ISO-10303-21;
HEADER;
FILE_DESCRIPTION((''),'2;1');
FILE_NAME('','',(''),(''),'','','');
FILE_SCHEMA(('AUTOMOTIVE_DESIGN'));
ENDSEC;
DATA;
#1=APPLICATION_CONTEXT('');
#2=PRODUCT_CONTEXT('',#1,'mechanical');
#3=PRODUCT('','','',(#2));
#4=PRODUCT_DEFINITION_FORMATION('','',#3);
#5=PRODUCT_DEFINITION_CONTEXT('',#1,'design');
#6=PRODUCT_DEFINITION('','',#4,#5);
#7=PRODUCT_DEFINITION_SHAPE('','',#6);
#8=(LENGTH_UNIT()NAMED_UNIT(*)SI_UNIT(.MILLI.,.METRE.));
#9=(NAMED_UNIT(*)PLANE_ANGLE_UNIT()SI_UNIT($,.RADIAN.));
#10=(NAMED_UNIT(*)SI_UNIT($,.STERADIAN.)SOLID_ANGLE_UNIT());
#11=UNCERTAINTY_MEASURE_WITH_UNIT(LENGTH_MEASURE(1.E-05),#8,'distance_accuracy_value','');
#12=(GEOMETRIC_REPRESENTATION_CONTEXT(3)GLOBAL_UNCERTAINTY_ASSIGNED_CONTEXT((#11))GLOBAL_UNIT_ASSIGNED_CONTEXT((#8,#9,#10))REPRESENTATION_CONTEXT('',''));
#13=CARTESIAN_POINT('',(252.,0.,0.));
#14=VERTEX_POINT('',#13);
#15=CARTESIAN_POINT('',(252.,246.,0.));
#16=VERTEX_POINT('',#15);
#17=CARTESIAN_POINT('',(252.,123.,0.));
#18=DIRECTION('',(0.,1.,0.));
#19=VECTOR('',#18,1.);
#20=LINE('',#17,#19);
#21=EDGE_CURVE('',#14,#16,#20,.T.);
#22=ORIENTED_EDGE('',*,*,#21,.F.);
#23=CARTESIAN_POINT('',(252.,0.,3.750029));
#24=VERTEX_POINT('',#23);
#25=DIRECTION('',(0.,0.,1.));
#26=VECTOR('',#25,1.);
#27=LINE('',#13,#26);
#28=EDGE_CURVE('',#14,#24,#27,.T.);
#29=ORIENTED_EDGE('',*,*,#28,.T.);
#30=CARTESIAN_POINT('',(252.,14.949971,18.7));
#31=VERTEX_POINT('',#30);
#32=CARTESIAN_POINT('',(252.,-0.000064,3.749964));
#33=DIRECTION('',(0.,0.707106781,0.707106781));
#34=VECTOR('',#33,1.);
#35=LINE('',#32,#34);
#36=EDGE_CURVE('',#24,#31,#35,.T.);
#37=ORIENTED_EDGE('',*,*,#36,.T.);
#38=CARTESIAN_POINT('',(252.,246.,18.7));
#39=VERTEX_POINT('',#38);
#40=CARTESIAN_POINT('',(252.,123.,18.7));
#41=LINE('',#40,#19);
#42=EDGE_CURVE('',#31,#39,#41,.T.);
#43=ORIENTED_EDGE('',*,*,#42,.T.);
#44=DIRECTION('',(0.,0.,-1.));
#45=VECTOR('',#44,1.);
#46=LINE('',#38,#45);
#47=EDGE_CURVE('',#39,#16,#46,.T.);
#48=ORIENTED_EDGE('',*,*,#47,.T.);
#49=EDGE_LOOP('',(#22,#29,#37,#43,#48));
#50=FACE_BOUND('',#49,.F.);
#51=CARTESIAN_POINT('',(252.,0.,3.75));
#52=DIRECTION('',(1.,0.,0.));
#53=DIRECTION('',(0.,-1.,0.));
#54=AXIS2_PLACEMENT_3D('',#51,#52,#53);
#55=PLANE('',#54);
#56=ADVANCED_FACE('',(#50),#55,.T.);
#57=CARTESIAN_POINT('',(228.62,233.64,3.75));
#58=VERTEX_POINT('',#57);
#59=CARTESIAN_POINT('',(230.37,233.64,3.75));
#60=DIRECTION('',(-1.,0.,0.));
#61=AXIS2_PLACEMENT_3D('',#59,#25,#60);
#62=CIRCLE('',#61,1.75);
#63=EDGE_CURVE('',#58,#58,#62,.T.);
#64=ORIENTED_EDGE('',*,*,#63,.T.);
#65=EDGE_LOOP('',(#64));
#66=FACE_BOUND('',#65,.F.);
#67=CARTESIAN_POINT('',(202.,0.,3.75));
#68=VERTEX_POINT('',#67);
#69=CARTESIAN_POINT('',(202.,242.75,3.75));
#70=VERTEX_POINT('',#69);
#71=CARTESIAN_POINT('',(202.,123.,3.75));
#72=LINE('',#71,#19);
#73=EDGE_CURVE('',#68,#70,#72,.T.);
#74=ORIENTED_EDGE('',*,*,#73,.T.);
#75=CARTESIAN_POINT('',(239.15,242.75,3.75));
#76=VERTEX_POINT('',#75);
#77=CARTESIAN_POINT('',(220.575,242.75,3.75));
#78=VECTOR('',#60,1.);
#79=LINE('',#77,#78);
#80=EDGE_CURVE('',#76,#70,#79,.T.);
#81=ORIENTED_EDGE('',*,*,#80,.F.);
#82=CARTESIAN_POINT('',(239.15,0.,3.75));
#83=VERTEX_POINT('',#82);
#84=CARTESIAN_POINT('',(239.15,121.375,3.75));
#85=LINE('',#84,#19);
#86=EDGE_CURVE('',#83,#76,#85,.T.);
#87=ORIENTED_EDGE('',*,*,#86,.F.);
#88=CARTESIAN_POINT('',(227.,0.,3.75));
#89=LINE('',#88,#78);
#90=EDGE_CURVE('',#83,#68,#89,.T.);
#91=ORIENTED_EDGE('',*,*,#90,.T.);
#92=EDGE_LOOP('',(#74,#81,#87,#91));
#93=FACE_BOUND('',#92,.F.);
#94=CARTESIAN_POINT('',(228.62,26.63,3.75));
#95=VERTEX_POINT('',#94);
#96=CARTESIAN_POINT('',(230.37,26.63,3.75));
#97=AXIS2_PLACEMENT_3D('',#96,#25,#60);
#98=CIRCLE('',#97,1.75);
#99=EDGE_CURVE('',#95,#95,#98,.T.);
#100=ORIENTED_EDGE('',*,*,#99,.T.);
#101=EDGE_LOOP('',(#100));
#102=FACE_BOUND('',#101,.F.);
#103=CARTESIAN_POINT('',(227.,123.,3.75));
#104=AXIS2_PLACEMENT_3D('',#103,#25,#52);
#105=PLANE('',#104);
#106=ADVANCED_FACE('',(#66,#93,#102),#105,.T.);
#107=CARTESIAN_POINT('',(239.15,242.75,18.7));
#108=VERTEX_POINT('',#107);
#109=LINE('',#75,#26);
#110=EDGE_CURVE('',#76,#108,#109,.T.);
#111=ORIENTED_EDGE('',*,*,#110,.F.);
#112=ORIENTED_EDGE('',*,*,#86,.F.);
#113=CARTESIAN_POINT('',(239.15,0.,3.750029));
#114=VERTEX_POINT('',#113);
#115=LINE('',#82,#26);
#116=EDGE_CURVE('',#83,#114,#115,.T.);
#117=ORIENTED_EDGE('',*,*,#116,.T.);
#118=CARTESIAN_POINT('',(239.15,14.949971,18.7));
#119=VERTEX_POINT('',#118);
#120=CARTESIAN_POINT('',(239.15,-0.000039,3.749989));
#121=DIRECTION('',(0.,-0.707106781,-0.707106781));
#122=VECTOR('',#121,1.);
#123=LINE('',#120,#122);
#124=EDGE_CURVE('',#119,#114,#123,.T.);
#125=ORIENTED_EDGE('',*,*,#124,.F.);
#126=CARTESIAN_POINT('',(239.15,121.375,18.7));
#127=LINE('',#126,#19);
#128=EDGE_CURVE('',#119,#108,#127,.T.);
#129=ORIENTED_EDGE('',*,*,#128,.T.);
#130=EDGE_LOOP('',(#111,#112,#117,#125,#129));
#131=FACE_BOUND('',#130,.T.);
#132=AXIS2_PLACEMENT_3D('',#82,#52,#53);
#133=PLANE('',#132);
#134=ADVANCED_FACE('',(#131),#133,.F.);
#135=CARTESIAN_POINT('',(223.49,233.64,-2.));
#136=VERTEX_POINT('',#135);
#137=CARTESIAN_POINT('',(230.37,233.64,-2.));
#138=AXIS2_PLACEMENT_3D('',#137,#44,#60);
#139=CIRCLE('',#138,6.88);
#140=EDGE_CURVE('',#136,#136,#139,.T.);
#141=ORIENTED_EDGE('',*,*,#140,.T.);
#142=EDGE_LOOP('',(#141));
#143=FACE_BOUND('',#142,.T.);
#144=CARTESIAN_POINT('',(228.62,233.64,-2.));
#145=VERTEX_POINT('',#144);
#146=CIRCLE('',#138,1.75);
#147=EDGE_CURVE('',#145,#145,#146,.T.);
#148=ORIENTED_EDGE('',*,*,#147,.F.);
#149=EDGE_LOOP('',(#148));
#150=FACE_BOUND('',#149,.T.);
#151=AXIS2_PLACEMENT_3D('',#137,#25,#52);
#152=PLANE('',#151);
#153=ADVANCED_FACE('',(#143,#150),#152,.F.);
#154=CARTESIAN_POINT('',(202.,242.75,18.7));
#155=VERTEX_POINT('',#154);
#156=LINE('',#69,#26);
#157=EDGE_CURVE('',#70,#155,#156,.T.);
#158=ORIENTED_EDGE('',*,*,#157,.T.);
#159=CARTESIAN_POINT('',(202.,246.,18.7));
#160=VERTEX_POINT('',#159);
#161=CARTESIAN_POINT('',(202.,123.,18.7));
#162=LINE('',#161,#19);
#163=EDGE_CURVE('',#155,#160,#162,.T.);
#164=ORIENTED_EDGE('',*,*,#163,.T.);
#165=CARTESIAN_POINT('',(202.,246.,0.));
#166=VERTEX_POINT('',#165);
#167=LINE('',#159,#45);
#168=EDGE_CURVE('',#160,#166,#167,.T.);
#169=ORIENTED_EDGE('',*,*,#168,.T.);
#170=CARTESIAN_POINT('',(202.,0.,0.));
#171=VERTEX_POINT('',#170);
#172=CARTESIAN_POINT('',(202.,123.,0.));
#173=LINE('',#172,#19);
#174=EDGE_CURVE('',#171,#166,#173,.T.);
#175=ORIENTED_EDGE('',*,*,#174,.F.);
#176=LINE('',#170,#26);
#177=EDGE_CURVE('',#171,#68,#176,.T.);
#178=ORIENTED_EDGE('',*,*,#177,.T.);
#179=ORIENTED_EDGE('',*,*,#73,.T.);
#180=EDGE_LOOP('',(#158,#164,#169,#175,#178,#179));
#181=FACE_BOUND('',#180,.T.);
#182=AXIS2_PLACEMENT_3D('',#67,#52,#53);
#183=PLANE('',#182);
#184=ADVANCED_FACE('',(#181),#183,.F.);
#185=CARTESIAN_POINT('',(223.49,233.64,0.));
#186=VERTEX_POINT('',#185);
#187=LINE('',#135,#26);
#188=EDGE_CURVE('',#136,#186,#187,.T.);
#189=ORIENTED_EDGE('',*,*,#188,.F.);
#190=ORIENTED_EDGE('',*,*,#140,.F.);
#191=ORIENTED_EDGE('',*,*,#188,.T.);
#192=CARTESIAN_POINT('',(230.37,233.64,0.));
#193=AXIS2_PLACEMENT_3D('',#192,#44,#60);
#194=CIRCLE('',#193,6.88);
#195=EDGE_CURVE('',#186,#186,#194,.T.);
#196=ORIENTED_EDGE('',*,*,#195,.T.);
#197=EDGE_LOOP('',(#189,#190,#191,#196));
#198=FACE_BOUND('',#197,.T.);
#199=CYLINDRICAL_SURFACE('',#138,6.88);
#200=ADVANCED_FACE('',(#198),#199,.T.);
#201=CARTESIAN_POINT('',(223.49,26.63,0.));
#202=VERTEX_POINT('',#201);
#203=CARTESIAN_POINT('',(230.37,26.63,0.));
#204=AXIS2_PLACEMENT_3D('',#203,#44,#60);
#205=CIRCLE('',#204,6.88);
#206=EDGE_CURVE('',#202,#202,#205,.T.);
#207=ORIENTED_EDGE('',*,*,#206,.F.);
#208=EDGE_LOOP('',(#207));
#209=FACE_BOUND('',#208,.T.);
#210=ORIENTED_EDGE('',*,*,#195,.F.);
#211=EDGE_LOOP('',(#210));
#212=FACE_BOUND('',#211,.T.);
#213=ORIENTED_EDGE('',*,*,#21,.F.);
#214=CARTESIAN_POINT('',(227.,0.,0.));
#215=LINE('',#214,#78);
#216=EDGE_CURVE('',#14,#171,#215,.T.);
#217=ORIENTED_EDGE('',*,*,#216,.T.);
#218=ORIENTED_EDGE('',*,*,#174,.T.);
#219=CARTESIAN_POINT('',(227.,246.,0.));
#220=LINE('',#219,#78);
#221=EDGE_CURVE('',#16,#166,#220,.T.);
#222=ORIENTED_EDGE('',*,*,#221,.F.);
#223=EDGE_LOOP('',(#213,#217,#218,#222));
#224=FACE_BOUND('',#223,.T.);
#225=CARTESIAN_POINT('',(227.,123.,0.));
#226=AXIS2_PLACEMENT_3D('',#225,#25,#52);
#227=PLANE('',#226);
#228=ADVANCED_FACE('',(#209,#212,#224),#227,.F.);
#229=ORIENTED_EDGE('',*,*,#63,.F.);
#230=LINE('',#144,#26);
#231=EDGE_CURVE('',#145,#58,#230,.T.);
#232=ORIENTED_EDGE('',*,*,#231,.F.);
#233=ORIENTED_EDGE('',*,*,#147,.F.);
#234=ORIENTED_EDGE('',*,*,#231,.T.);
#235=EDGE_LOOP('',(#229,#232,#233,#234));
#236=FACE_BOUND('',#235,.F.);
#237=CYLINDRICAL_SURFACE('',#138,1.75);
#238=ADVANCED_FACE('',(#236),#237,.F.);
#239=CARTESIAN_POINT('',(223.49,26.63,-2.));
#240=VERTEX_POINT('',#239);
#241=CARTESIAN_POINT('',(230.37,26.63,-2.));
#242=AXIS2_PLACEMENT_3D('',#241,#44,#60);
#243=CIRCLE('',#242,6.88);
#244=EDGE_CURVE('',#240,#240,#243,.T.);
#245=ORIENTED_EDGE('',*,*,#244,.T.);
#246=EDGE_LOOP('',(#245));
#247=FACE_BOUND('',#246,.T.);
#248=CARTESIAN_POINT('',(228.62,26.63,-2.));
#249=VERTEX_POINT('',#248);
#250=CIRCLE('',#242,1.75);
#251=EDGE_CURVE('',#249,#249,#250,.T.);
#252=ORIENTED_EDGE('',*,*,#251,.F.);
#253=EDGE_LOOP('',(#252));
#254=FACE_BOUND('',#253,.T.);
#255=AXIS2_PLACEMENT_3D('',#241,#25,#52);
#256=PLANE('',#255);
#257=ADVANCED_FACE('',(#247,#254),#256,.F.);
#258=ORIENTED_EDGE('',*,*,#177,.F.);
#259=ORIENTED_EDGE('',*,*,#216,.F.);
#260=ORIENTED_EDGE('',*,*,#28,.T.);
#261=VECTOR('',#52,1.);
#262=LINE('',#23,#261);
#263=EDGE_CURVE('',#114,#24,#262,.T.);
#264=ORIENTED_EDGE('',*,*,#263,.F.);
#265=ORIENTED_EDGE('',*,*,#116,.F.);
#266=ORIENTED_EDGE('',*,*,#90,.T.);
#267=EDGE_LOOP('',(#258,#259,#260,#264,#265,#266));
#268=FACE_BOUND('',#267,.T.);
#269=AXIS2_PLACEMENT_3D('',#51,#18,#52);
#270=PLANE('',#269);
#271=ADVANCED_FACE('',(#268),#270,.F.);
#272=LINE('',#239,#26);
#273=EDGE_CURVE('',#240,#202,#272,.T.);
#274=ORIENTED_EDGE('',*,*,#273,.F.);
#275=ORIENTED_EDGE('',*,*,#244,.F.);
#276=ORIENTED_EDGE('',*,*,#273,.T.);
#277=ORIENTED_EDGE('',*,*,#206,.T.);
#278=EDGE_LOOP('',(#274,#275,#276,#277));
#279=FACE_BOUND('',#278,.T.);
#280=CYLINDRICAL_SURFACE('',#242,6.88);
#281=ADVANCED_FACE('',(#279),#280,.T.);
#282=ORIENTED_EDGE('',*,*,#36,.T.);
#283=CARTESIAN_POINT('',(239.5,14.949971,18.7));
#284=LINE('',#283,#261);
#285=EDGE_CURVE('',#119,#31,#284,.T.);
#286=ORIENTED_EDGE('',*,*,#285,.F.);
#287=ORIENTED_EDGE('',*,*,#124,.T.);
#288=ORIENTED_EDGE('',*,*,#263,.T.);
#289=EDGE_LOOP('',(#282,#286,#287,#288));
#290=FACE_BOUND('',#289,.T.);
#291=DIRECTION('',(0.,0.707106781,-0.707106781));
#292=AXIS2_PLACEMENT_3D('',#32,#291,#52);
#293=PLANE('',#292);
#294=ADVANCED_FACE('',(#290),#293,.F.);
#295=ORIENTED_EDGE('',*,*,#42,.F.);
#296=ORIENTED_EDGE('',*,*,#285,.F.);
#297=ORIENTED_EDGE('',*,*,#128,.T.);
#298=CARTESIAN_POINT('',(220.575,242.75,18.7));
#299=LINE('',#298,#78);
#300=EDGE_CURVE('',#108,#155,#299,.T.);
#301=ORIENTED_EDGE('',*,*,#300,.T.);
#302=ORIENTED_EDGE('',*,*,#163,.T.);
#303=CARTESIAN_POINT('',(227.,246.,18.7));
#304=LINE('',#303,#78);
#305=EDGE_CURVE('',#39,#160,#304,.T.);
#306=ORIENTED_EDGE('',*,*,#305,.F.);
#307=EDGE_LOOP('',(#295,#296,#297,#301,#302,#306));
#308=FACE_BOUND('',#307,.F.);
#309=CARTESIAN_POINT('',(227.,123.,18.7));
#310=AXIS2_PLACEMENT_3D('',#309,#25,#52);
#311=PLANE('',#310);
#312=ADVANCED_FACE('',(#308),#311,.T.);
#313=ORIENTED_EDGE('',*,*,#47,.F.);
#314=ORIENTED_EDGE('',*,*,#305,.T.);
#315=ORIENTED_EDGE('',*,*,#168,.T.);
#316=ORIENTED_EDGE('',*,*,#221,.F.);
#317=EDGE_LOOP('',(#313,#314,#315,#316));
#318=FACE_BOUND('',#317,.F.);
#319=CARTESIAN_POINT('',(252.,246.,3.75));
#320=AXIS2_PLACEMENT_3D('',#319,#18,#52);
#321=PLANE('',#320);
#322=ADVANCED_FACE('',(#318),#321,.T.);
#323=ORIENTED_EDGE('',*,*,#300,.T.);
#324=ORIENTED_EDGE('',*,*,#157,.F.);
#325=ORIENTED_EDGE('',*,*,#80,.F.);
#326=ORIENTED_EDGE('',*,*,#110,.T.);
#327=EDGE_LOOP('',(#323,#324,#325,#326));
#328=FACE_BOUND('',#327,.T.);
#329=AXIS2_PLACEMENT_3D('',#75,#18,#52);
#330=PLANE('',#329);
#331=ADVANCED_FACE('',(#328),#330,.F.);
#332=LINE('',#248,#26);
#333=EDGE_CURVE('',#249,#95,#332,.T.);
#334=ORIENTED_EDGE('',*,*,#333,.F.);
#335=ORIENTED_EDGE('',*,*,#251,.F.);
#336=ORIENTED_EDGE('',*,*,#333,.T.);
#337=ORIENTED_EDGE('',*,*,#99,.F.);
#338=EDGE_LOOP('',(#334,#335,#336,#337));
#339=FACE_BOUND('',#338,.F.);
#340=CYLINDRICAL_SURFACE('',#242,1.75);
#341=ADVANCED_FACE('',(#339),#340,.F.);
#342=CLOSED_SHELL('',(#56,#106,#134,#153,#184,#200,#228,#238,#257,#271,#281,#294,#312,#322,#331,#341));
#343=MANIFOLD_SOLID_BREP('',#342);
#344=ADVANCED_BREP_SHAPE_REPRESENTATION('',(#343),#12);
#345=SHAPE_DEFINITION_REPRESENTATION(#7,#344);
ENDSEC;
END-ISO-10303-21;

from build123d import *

# Parameters (mm, degrees)
CYLINDER012029001058_R       = 1.75
CYLINDER012029001058_DEPTH   = 6
CYLINDER012029001059_R       = 6.88
CYLINDER012029001059_DEPTH   = 2
CYLINDER012029001060_R       = 1.75
CYLINDER012029001060_DEPTH   = 6
BOX015001051_W               = 20
BOX015001051_H               = 20
BOX015001051_DEPTH           = 28
BOX015001051_PLACEMENT_ANGLE = 45
BOX015001050_W               = 37.15
BOX015001050_H               = 242.75
BOX015001050_DEPTH           = 14.95
BOX015001048_W               = 50
BOX015001048_H               = 246
BOX015001048_DEPTH           = 14.95
BOX015001049_W               = 50
BOX015001049_H               = 246
BOX015001049_DEPTH           = 3.75
CYLINDER012029001061_R       = 6.88
CYLINDER012029001061_DEPTH   = 2


with BuildPart() as cylinder012029001058:
    # Cylinder012029001058 → Cylinder012029001058 (new body)
    with BuildSketch(Plane(origin=(21.63, 233.64, -2), x_dir=(1, 0, 0), z_dir=(0, 0, 1))):
        Circle(CYLINDER012029001058_R)
    extrude(amount=CYLINDER012029001058_DEPTH)


with BuildPart() as cylinder012029001059:
    # Cylinder012029001059 → Cylinder012029001059 (new body)
    with BuildSketch(Plane(origin=(21.63, 233.64, -2), x_dir=(1, 0, 0), z_dir=(0, 0, 1))):
        Circle(CYLINDER012029001059_R)
    extrude(amount=CYLINDER012029001059_DEPTH)


with BuildPart() as cylinder012029001060:
    # Cylinder012029001060 → Cylinder012029001060 (new body)
    with BuildSketch(Plane(origin=(21.63, 26.63, -2), x_dir=(1, 0, 0), z_dir=(0, 0, 1))):
        Circle(CYLINDER012029001060_R)
    extrude(amount=CYLINDER012029001060_DEPTH)


with BuildPart() as cube045:
    # Box015001051 → Box015001051 (new body)
    with BuildSketch(Plane.XY):
        with Locations((10, 10)):
            Rectangle(BOX015001051_W, BOX015001051_H)
    extrude(amount=BOX015001051_DEPTH)


with BuildPart() as cube045_1:
    # Box015001051 placement: moved
    add(cube045.part.moved(Location((0, -14.1422, 17.8921))).rotate(Axis((0, -14.1422, 17.8921), (-1, 0, 0)), BOX015001051_PLACEMENT_ANGLE))


with BuildPart() as cube003:
    # Box015001050 → Box015001050 (new body)
    with BuildSketch(Plane(origin=(12.85, 0, 3.75), x_dir=(1, 0, 0), z_dir=(0, 0, 1))):
        with Locations((18.575, 121.375)):
            Rectangle(BOX015001050_W, BOX015001050_H)
    extrude(amount=BOX015001050_DEPTH)


with BuildPart() as cut003053:
    # Box015001048 → Box015001048 (new body)
    with BuildSketch(Plane.XY.offset(3.75)):
        with Locations((25, 123)):
            Rectangle(BOX015001048_W, BOX015001048_H)
    extrude(amount=BOX015001048_DEPTH)

    # Cut003052: cut Cube003
    add(cube003.part, mode=Mode.SUBTRACT)

    # Cut003053: cut Cube045
    add(cube045_1.part, mode=Mode.SUBTRACT)


with BuildPart() as fusion001019007005:
    # Box015001049 → Box015001049 (new body)
    with BuildSketch(Plane.XY):
        with Locations((25, 123)):
            Rectangle(BOX015001049_W, BOX015001049_H)
    extrude(amount=BOX015001049_DEPTH)

    # Fusion001019007005: union Cut003053
    add(cut003053.part)


with BuildPart() as cut003:
    # Cylinder012029001061 → Cylinder012029001061 (new body)
    with BuildSketch(Plane(origin=(21.63, 26.63, -2), x_dir=(1, 0, 0), z_dir=(0, 0, 1))):
        Circle(CYLINDER012029001061_R)
    extrude(amount=CYLINDER012029001061_DEPTH)

    # Fusion001019007004: union Fusion001019007005
    add(fusion001019007005.part)

    # Cut003054: cut Cylinder012029001060
    add(cylinder012029001060.part, mode=Mode.SUBTRACT)

    # Fusion001019007003: union Cylinder012029001059
    add(cylinder012029001059.part)

    # Cut003: cut Cylinder012029001058
    add(cylinder012029001058.part, mode=Mode.SUBTRACT)


with BuildPart() as part_mirroring:
    # Part__Mirroring: instance of Cut003
    add(cut003.part.mirror(Plane(origin=(126, 0, 0), x_dir=(0, -1, 0), z_dir=(1, 0, 0))))


solid = part_mirroring.part
